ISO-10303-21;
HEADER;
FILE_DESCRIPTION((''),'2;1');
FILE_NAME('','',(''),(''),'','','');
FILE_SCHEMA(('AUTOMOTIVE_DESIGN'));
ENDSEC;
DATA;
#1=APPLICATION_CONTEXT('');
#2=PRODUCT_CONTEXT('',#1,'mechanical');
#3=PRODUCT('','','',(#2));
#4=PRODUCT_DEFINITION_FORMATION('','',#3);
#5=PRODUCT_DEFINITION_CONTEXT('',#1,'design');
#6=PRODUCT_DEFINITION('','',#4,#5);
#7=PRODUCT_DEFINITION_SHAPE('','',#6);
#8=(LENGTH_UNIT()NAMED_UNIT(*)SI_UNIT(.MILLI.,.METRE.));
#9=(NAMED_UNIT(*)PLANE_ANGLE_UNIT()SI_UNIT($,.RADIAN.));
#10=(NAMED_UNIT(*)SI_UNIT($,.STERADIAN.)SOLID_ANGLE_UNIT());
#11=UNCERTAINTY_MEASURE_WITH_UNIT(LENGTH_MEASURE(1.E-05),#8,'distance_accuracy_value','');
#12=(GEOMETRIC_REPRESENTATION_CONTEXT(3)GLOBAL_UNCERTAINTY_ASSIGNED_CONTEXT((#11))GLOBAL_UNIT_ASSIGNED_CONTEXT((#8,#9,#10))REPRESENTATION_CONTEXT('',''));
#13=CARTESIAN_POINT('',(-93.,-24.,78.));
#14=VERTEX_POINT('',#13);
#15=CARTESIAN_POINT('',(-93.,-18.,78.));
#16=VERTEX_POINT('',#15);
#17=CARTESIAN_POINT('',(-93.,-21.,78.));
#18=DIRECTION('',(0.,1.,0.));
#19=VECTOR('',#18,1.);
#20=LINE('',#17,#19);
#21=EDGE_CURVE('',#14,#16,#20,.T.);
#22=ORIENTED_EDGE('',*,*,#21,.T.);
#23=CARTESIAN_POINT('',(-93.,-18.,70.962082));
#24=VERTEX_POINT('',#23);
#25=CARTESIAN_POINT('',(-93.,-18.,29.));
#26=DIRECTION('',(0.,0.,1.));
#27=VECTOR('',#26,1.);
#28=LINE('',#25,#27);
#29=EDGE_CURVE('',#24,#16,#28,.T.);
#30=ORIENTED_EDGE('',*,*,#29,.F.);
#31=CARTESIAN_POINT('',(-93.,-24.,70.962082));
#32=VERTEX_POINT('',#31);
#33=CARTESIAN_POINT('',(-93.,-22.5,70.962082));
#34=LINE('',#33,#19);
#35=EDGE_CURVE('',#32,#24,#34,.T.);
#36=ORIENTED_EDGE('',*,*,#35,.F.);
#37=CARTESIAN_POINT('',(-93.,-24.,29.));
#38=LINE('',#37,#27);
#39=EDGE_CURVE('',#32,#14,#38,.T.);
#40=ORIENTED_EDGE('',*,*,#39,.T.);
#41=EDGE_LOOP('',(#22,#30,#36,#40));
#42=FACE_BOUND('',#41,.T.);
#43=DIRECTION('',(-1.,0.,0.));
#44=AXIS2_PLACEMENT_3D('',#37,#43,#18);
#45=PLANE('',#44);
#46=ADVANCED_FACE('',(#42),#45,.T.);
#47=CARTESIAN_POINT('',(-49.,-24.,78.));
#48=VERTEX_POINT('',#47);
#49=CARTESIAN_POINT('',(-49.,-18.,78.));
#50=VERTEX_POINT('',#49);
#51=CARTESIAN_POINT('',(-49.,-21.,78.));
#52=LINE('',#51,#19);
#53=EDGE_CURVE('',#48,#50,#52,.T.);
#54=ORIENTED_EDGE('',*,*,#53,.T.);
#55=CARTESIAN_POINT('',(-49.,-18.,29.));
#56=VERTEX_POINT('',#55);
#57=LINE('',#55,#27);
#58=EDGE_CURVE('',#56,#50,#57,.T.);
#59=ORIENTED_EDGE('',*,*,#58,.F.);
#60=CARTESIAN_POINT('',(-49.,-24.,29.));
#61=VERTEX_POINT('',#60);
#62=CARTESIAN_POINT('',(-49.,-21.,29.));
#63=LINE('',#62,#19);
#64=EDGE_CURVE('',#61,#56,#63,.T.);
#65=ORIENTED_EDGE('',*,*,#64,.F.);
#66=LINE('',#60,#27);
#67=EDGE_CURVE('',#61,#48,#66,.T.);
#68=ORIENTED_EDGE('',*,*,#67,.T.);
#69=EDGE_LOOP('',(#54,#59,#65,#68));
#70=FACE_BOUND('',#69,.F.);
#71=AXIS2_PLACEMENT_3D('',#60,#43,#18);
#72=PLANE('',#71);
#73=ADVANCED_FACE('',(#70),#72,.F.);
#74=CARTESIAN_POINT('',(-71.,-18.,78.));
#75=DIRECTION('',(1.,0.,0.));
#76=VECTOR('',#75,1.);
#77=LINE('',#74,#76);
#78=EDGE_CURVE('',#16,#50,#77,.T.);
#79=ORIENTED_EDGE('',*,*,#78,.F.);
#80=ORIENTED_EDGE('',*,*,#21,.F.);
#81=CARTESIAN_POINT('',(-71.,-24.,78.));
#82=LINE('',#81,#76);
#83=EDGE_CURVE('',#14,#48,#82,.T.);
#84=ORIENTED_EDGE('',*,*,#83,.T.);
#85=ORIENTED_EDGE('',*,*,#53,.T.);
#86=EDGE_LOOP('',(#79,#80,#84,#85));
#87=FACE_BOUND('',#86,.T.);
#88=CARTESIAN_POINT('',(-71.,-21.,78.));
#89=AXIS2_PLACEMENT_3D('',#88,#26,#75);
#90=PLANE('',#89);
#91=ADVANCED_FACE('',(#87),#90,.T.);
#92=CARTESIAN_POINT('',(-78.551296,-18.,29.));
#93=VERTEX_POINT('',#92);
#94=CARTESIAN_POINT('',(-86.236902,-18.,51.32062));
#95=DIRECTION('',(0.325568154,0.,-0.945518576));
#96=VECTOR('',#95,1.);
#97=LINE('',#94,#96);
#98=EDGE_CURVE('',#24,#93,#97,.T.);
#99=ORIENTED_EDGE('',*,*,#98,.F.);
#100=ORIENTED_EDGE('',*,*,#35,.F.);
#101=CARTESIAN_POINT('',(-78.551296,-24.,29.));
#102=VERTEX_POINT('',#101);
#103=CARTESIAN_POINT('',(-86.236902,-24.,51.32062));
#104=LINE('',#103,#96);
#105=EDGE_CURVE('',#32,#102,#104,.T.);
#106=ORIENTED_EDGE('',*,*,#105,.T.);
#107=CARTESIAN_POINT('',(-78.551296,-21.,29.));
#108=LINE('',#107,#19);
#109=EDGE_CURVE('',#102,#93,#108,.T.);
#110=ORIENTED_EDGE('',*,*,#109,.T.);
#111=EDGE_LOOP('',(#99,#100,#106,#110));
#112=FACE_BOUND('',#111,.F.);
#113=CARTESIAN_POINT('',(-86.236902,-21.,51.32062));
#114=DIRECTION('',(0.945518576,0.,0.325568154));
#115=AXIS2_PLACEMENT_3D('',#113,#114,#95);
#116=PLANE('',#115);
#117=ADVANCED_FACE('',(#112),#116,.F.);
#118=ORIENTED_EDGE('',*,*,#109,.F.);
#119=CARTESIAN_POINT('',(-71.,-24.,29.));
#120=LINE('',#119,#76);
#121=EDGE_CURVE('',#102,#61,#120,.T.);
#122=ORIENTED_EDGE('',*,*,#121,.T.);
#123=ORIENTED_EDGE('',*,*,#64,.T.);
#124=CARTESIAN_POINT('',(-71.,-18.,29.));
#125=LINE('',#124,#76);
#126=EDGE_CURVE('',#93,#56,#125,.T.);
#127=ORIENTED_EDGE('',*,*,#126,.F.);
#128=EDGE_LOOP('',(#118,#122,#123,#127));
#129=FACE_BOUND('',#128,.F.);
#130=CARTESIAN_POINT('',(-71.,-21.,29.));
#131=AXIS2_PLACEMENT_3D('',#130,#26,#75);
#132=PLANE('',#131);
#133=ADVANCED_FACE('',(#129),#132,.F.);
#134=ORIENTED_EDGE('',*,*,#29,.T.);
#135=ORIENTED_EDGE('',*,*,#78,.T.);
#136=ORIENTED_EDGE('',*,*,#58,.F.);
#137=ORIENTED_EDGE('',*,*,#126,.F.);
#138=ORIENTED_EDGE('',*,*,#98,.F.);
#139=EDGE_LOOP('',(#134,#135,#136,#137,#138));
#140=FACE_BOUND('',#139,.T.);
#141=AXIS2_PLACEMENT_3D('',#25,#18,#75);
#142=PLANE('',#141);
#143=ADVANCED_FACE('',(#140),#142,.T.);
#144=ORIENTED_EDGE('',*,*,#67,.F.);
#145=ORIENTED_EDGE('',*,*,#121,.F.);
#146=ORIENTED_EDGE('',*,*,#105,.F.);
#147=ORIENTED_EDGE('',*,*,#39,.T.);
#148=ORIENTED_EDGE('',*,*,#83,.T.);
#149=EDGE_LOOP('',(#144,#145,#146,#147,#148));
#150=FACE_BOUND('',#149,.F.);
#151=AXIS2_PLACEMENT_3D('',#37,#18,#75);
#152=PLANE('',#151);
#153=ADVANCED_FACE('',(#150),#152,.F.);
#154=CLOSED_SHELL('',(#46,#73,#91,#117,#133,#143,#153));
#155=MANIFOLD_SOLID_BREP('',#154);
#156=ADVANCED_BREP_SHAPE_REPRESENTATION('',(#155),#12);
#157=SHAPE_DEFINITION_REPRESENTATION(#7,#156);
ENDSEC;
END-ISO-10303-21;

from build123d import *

# Parameters (mm, degrees)
BOX720_W               = 80
BOX720_H               = 6
BOX720_DEPTH           = 20
BOX720_PLACEMENT_ANGLE = 71
BOX727_W               = 44
BOX727_H               = 6
BOX727_DEPTH           = 49


with BuildPart() as krychle720:
    # Box720 → Box720 (new body)
    with BuildSketch(Plane.XY):
        with Locations((40, 3)):
            Rectangle(BOX720_W, BOX720_H)
    extrude(amount=BOX720_DEPTH)


with BuildPart() as krychle720_1:
    # Box720 placement: moved
    add(krychle720.part.moved(Location((-118.17, -24, 82.63))).rotate(Axis((-118.17, -24, 82.63), (0, 1, 0)), BOX720_PLACEMENT_ANGLE))


with BuildPart() as cut532:
    # Box727 → Box727 (new body)
    with BuildSketch(Plane(origin=(-93, -24, 29), x_dir=(1, 0, 0), z_dir=(0, 0, 1))):
        with Locations((22, 3)):
            Rectangle(BOX727_W, BOX727_H)
    extrude(amount=BOX727_DEPTH)

    # Cut532: cut Krychle720
    add(krychle720_1.part, mode=Mode.SUBTRACT)


solid = cut532.part
